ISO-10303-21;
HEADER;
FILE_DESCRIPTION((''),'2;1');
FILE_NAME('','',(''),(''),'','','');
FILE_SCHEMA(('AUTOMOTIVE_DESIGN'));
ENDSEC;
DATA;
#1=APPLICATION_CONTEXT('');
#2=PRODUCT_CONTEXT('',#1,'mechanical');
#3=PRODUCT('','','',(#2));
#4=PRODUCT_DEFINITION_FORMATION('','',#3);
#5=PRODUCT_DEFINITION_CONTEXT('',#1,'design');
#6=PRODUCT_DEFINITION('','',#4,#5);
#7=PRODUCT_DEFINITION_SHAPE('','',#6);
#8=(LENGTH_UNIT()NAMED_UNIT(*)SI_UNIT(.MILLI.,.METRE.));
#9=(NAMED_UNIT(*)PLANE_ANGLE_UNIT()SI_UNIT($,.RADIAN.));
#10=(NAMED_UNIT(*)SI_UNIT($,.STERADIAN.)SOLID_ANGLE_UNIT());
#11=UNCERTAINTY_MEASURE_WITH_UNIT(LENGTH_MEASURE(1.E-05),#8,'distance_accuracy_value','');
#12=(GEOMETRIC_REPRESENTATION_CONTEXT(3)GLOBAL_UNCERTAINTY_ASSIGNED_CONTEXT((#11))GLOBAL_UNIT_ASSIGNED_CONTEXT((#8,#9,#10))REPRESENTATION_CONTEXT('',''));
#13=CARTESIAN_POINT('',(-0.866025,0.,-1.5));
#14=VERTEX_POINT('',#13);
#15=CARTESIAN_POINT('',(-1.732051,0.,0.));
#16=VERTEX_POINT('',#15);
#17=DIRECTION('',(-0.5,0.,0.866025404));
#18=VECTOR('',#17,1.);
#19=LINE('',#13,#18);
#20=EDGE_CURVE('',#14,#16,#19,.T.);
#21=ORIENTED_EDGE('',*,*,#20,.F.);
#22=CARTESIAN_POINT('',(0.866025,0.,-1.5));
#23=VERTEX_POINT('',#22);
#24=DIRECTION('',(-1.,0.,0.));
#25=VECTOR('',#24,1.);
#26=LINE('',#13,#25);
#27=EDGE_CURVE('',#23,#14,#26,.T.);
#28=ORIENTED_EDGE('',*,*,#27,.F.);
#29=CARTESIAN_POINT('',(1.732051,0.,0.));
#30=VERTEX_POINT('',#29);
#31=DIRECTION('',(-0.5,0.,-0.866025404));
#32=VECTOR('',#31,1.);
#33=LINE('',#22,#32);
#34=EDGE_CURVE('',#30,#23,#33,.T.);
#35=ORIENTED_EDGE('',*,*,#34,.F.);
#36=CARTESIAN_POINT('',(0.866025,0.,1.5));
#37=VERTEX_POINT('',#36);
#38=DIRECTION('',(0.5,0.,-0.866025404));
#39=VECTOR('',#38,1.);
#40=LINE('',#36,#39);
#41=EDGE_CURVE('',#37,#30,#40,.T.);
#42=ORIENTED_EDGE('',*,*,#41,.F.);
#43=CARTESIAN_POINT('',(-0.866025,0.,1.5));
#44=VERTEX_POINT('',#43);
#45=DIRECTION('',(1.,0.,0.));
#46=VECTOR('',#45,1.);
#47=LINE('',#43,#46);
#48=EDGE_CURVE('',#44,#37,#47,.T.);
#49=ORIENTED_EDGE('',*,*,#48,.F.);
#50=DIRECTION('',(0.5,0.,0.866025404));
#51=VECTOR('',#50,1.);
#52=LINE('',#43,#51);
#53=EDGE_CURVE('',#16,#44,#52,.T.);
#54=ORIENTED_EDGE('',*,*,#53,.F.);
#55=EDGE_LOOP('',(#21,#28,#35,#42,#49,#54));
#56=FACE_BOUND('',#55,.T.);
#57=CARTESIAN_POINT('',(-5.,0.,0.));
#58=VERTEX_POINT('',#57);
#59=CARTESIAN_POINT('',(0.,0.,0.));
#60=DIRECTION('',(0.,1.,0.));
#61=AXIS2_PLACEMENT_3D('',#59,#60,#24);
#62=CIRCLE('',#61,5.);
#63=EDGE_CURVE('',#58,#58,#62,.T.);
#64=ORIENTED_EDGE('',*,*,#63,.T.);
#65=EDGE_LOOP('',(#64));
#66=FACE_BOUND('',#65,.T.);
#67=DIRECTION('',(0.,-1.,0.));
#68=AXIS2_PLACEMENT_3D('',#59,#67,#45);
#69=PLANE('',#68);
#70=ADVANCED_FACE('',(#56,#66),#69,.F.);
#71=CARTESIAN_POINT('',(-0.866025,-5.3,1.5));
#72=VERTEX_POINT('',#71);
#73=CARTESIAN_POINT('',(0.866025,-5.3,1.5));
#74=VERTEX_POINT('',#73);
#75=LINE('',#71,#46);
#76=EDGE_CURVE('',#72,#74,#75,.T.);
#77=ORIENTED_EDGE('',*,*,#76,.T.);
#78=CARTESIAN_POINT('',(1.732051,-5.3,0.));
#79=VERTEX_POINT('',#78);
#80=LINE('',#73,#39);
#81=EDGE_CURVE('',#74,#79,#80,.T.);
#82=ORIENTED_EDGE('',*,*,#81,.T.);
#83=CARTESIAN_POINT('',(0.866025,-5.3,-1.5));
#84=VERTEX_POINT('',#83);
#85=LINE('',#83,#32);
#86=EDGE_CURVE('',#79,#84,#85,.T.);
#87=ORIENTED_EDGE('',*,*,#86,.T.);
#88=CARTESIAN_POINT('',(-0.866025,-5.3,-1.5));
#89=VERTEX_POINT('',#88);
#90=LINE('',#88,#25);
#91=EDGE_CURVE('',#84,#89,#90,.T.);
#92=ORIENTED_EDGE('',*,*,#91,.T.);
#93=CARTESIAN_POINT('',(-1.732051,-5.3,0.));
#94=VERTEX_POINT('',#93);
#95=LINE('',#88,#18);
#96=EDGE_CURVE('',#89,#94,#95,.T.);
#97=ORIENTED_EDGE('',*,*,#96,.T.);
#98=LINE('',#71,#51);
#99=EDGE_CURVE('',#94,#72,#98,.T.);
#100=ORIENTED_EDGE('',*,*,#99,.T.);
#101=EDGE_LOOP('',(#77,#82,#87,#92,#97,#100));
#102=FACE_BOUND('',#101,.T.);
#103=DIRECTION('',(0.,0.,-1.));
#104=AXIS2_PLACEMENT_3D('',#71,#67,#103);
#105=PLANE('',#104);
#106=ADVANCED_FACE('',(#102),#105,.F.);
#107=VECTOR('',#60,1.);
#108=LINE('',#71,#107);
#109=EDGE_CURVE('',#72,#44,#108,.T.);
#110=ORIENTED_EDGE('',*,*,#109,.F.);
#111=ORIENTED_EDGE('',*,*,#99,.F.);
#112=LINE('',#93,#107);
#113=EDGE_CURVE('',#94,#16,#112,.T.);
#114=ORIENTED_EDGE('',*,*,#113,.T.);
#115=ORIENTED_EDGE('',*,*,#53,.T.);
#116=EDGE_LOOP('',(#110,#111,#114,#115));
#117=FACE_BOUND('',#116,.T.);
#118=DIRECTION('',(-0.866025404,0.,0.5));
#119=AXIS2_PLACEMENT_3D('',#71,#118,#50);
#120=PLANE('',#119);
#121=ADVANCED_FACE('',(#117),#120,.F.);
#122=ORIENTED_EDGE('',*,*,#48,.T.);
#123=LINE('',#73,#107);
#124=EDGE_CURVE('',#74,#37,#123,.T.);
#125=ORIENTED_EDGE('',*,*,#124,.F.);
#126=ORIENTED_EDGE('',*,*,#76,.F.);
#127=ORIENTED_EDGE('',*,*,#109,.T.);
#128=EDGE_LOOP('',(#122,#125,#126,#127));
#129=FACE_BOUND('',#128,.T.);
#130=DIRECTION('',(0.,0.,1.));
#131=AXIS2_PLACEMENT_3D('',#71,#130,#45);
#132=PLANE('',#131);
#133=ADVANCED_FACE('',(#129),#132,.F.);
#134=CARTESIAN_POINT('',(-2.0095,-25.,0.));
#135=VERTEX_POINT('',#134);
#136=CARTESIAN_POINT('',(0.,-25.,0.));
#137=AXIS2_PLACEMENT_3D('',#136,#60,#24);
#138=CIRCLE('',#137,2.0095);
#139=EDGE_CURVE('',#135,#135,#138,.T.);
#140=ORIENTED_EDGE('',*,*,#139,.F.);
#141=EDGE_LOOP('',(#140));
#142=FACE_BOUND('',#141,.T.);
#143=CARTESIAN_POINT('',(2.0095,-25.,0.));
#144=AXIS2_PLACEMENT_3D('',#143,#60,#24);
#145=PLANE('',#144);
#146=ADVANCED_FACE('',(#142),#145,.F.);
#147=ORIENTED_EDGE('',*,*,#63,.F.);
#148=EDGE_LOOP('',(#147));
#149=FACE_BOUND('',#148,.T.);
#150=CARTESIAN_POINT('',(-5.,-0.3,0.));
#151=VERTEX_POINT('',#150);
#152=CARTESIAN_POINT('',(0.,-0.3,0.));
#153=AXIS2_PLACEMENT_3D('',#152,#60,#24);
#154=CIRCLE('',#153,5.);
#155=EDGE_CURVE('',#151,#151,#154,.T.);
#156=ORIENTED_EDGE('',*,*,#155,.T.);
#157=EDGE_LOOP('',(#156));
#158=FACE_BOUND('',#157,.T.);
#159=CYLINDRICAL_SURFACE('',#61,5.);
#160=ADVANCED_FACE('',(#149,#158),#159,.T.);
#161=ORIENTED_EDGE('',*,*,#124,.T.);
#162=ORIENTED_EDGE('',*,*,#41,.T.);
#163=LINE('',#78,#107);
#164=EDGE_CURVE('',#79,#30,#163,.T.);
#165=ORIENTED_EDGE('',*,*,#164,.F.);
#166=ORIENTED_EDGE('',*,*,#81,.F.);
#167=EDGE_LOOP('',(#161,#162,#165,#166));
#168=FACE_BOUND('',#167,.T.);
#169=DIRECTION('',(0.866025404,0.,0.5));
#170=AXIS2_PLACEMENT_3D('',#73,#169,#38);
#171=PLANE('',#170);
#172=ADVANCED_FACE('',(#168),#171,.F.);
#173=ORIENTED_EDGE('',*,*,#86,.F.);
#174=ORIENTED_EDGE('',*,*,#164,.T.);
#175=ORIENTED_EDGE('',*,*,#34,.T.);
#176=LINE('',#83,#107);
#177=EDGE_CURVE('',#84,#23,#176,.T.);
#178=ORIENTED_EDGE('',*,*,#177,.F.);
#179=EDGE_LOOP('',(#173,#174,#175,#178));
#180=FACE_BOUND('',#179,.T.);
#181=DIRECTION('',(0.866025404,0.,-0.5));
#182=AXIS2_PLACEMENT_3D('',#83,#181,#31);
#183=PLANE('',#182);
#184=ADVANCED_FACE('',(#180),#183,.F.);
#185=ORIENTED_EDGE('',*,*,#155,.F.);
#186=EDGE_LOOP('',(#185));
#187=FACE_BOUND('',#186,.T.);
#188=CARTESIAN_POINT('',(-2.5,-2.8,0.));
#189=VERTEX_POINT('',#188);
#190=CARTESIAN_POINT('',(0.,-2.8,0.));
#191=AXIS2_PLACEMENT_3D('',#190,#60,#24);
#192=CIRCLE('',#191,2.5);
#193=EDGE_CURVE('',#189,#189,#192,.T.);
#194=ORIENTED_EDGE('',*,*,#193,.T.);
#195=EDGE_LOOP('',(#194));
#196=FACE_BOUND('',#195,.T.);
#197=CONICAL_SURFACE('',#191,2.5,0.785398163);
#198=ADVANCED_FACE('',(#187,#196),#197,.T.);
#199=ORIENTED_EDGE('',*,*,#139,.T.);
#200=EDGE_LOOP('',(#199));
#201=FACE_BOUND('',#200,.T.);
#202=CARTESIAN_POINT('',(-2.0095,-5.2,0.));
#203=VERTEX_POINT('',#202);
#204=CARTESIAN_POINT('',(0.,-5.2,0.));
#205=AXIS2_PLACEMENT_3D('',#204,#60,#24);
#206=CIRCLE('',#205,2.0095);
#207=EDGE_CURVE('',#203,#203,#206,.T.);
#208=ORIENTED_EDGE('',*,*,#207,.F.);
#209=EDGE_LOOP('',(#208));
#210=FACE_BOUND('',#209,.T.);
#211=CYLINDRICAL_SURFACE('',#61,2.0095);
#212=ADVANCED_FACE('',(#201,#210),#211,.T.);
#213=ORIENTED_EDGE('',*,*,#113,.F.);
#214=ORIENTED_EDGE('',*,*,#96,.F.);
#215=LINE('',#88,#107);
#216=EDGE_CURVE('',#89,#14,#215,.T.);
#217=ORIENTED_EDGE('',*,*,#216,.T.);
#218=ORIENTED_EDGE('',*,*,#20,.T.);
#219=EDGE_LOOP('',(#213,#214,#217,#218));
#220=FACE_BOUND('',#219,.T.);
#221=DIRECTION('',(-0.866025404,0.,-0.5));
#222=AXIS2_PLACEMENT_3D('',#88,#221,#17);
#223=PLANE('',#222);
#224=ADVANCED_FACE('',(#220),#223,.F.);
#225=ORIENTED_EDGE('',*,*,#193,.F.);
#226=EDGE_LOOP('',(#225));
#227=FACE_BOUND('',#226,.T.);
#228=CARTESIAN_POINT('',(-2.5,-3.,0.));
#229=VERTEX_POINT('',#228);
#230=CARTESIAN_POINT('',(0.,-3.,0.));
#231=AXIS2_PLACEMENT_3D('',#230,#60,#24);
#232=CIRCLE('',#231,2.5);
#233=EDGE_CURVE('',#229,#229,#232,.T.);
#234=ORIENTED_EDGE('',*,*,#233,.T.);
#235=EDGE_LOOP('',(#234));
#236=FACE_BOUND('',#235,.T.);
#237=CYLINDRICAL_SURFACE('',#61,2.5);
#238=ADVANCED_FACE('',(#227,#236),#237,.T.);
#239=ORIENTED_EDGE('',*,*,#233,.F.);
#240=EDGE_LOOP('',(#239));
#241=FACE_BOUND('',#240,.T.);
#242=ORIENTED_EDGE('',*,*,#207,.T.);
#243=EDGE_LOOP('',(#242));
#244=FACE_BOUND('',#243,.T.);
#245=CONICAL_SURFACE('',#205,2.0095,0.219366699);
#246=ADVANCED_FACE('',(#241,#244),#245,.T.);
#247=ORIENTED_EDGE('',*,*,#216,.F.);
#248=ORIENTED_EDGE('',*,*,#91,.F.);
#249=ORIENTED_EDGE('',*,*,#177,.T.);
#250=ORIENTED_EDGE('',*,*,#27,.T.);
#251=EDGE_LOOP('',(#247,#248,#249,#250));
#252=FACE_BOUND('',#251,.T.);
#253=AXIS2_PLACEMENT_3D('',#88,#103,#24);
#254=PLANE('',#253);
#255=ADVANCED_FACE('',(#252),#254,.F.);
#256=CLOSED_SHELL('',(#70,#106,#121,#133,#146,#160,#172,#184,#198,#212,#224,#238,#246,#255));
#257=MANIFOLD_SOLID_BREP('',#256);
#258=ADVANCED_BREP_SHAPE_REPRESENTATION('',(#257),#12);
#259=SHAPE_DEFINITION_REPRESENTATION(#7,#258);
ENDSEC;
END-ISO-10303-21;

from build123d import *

# Parameters (mm, degrees)
SCHNITT_LINEAR_AUSTRAGEN1_DEPTH = 5.3


with BuildPart() as part:
    # Skizze1 → Basis-Rotation (revolve)
    with BuildSketch(Plane.XY, mode=Mode.PRIVATE) as basis_rotation_sk:
        Polygon((0, 0), (5, 0), (5, -0.3), (2.5, -2.8), (2.5, -3), (2.0095, -5.2), (2.0095, -25), (0, -25), align=None)
    revolve(basis_rotation_sk.sketch.rotate(Axis((0, 0, 0), (0, -1, 0)), 180), axis=Axis((0, 0, 0), (0, -1, 0)))

    # Skizze2 → Schnitt-Linear austragen1 (cut)
    with BuildSketch(Plane(origin=(0, 0, 0), x_dir=(-1, 0, 0), z_dir=(0, 1, 0))):
        Polygon((0.866025404, -1.5), (-0.866025404, -1.5), (-1.732050808, 0), (-0.866025404, 1.5), (0.866025404, 1.5), (1.732050808, 0), align=None)
    extrude(amount=-SCHNITT_LINEAR_AUSTRAGEN1_DEPTH, mode=Mode.SUBTRACT)


solid = part.part
